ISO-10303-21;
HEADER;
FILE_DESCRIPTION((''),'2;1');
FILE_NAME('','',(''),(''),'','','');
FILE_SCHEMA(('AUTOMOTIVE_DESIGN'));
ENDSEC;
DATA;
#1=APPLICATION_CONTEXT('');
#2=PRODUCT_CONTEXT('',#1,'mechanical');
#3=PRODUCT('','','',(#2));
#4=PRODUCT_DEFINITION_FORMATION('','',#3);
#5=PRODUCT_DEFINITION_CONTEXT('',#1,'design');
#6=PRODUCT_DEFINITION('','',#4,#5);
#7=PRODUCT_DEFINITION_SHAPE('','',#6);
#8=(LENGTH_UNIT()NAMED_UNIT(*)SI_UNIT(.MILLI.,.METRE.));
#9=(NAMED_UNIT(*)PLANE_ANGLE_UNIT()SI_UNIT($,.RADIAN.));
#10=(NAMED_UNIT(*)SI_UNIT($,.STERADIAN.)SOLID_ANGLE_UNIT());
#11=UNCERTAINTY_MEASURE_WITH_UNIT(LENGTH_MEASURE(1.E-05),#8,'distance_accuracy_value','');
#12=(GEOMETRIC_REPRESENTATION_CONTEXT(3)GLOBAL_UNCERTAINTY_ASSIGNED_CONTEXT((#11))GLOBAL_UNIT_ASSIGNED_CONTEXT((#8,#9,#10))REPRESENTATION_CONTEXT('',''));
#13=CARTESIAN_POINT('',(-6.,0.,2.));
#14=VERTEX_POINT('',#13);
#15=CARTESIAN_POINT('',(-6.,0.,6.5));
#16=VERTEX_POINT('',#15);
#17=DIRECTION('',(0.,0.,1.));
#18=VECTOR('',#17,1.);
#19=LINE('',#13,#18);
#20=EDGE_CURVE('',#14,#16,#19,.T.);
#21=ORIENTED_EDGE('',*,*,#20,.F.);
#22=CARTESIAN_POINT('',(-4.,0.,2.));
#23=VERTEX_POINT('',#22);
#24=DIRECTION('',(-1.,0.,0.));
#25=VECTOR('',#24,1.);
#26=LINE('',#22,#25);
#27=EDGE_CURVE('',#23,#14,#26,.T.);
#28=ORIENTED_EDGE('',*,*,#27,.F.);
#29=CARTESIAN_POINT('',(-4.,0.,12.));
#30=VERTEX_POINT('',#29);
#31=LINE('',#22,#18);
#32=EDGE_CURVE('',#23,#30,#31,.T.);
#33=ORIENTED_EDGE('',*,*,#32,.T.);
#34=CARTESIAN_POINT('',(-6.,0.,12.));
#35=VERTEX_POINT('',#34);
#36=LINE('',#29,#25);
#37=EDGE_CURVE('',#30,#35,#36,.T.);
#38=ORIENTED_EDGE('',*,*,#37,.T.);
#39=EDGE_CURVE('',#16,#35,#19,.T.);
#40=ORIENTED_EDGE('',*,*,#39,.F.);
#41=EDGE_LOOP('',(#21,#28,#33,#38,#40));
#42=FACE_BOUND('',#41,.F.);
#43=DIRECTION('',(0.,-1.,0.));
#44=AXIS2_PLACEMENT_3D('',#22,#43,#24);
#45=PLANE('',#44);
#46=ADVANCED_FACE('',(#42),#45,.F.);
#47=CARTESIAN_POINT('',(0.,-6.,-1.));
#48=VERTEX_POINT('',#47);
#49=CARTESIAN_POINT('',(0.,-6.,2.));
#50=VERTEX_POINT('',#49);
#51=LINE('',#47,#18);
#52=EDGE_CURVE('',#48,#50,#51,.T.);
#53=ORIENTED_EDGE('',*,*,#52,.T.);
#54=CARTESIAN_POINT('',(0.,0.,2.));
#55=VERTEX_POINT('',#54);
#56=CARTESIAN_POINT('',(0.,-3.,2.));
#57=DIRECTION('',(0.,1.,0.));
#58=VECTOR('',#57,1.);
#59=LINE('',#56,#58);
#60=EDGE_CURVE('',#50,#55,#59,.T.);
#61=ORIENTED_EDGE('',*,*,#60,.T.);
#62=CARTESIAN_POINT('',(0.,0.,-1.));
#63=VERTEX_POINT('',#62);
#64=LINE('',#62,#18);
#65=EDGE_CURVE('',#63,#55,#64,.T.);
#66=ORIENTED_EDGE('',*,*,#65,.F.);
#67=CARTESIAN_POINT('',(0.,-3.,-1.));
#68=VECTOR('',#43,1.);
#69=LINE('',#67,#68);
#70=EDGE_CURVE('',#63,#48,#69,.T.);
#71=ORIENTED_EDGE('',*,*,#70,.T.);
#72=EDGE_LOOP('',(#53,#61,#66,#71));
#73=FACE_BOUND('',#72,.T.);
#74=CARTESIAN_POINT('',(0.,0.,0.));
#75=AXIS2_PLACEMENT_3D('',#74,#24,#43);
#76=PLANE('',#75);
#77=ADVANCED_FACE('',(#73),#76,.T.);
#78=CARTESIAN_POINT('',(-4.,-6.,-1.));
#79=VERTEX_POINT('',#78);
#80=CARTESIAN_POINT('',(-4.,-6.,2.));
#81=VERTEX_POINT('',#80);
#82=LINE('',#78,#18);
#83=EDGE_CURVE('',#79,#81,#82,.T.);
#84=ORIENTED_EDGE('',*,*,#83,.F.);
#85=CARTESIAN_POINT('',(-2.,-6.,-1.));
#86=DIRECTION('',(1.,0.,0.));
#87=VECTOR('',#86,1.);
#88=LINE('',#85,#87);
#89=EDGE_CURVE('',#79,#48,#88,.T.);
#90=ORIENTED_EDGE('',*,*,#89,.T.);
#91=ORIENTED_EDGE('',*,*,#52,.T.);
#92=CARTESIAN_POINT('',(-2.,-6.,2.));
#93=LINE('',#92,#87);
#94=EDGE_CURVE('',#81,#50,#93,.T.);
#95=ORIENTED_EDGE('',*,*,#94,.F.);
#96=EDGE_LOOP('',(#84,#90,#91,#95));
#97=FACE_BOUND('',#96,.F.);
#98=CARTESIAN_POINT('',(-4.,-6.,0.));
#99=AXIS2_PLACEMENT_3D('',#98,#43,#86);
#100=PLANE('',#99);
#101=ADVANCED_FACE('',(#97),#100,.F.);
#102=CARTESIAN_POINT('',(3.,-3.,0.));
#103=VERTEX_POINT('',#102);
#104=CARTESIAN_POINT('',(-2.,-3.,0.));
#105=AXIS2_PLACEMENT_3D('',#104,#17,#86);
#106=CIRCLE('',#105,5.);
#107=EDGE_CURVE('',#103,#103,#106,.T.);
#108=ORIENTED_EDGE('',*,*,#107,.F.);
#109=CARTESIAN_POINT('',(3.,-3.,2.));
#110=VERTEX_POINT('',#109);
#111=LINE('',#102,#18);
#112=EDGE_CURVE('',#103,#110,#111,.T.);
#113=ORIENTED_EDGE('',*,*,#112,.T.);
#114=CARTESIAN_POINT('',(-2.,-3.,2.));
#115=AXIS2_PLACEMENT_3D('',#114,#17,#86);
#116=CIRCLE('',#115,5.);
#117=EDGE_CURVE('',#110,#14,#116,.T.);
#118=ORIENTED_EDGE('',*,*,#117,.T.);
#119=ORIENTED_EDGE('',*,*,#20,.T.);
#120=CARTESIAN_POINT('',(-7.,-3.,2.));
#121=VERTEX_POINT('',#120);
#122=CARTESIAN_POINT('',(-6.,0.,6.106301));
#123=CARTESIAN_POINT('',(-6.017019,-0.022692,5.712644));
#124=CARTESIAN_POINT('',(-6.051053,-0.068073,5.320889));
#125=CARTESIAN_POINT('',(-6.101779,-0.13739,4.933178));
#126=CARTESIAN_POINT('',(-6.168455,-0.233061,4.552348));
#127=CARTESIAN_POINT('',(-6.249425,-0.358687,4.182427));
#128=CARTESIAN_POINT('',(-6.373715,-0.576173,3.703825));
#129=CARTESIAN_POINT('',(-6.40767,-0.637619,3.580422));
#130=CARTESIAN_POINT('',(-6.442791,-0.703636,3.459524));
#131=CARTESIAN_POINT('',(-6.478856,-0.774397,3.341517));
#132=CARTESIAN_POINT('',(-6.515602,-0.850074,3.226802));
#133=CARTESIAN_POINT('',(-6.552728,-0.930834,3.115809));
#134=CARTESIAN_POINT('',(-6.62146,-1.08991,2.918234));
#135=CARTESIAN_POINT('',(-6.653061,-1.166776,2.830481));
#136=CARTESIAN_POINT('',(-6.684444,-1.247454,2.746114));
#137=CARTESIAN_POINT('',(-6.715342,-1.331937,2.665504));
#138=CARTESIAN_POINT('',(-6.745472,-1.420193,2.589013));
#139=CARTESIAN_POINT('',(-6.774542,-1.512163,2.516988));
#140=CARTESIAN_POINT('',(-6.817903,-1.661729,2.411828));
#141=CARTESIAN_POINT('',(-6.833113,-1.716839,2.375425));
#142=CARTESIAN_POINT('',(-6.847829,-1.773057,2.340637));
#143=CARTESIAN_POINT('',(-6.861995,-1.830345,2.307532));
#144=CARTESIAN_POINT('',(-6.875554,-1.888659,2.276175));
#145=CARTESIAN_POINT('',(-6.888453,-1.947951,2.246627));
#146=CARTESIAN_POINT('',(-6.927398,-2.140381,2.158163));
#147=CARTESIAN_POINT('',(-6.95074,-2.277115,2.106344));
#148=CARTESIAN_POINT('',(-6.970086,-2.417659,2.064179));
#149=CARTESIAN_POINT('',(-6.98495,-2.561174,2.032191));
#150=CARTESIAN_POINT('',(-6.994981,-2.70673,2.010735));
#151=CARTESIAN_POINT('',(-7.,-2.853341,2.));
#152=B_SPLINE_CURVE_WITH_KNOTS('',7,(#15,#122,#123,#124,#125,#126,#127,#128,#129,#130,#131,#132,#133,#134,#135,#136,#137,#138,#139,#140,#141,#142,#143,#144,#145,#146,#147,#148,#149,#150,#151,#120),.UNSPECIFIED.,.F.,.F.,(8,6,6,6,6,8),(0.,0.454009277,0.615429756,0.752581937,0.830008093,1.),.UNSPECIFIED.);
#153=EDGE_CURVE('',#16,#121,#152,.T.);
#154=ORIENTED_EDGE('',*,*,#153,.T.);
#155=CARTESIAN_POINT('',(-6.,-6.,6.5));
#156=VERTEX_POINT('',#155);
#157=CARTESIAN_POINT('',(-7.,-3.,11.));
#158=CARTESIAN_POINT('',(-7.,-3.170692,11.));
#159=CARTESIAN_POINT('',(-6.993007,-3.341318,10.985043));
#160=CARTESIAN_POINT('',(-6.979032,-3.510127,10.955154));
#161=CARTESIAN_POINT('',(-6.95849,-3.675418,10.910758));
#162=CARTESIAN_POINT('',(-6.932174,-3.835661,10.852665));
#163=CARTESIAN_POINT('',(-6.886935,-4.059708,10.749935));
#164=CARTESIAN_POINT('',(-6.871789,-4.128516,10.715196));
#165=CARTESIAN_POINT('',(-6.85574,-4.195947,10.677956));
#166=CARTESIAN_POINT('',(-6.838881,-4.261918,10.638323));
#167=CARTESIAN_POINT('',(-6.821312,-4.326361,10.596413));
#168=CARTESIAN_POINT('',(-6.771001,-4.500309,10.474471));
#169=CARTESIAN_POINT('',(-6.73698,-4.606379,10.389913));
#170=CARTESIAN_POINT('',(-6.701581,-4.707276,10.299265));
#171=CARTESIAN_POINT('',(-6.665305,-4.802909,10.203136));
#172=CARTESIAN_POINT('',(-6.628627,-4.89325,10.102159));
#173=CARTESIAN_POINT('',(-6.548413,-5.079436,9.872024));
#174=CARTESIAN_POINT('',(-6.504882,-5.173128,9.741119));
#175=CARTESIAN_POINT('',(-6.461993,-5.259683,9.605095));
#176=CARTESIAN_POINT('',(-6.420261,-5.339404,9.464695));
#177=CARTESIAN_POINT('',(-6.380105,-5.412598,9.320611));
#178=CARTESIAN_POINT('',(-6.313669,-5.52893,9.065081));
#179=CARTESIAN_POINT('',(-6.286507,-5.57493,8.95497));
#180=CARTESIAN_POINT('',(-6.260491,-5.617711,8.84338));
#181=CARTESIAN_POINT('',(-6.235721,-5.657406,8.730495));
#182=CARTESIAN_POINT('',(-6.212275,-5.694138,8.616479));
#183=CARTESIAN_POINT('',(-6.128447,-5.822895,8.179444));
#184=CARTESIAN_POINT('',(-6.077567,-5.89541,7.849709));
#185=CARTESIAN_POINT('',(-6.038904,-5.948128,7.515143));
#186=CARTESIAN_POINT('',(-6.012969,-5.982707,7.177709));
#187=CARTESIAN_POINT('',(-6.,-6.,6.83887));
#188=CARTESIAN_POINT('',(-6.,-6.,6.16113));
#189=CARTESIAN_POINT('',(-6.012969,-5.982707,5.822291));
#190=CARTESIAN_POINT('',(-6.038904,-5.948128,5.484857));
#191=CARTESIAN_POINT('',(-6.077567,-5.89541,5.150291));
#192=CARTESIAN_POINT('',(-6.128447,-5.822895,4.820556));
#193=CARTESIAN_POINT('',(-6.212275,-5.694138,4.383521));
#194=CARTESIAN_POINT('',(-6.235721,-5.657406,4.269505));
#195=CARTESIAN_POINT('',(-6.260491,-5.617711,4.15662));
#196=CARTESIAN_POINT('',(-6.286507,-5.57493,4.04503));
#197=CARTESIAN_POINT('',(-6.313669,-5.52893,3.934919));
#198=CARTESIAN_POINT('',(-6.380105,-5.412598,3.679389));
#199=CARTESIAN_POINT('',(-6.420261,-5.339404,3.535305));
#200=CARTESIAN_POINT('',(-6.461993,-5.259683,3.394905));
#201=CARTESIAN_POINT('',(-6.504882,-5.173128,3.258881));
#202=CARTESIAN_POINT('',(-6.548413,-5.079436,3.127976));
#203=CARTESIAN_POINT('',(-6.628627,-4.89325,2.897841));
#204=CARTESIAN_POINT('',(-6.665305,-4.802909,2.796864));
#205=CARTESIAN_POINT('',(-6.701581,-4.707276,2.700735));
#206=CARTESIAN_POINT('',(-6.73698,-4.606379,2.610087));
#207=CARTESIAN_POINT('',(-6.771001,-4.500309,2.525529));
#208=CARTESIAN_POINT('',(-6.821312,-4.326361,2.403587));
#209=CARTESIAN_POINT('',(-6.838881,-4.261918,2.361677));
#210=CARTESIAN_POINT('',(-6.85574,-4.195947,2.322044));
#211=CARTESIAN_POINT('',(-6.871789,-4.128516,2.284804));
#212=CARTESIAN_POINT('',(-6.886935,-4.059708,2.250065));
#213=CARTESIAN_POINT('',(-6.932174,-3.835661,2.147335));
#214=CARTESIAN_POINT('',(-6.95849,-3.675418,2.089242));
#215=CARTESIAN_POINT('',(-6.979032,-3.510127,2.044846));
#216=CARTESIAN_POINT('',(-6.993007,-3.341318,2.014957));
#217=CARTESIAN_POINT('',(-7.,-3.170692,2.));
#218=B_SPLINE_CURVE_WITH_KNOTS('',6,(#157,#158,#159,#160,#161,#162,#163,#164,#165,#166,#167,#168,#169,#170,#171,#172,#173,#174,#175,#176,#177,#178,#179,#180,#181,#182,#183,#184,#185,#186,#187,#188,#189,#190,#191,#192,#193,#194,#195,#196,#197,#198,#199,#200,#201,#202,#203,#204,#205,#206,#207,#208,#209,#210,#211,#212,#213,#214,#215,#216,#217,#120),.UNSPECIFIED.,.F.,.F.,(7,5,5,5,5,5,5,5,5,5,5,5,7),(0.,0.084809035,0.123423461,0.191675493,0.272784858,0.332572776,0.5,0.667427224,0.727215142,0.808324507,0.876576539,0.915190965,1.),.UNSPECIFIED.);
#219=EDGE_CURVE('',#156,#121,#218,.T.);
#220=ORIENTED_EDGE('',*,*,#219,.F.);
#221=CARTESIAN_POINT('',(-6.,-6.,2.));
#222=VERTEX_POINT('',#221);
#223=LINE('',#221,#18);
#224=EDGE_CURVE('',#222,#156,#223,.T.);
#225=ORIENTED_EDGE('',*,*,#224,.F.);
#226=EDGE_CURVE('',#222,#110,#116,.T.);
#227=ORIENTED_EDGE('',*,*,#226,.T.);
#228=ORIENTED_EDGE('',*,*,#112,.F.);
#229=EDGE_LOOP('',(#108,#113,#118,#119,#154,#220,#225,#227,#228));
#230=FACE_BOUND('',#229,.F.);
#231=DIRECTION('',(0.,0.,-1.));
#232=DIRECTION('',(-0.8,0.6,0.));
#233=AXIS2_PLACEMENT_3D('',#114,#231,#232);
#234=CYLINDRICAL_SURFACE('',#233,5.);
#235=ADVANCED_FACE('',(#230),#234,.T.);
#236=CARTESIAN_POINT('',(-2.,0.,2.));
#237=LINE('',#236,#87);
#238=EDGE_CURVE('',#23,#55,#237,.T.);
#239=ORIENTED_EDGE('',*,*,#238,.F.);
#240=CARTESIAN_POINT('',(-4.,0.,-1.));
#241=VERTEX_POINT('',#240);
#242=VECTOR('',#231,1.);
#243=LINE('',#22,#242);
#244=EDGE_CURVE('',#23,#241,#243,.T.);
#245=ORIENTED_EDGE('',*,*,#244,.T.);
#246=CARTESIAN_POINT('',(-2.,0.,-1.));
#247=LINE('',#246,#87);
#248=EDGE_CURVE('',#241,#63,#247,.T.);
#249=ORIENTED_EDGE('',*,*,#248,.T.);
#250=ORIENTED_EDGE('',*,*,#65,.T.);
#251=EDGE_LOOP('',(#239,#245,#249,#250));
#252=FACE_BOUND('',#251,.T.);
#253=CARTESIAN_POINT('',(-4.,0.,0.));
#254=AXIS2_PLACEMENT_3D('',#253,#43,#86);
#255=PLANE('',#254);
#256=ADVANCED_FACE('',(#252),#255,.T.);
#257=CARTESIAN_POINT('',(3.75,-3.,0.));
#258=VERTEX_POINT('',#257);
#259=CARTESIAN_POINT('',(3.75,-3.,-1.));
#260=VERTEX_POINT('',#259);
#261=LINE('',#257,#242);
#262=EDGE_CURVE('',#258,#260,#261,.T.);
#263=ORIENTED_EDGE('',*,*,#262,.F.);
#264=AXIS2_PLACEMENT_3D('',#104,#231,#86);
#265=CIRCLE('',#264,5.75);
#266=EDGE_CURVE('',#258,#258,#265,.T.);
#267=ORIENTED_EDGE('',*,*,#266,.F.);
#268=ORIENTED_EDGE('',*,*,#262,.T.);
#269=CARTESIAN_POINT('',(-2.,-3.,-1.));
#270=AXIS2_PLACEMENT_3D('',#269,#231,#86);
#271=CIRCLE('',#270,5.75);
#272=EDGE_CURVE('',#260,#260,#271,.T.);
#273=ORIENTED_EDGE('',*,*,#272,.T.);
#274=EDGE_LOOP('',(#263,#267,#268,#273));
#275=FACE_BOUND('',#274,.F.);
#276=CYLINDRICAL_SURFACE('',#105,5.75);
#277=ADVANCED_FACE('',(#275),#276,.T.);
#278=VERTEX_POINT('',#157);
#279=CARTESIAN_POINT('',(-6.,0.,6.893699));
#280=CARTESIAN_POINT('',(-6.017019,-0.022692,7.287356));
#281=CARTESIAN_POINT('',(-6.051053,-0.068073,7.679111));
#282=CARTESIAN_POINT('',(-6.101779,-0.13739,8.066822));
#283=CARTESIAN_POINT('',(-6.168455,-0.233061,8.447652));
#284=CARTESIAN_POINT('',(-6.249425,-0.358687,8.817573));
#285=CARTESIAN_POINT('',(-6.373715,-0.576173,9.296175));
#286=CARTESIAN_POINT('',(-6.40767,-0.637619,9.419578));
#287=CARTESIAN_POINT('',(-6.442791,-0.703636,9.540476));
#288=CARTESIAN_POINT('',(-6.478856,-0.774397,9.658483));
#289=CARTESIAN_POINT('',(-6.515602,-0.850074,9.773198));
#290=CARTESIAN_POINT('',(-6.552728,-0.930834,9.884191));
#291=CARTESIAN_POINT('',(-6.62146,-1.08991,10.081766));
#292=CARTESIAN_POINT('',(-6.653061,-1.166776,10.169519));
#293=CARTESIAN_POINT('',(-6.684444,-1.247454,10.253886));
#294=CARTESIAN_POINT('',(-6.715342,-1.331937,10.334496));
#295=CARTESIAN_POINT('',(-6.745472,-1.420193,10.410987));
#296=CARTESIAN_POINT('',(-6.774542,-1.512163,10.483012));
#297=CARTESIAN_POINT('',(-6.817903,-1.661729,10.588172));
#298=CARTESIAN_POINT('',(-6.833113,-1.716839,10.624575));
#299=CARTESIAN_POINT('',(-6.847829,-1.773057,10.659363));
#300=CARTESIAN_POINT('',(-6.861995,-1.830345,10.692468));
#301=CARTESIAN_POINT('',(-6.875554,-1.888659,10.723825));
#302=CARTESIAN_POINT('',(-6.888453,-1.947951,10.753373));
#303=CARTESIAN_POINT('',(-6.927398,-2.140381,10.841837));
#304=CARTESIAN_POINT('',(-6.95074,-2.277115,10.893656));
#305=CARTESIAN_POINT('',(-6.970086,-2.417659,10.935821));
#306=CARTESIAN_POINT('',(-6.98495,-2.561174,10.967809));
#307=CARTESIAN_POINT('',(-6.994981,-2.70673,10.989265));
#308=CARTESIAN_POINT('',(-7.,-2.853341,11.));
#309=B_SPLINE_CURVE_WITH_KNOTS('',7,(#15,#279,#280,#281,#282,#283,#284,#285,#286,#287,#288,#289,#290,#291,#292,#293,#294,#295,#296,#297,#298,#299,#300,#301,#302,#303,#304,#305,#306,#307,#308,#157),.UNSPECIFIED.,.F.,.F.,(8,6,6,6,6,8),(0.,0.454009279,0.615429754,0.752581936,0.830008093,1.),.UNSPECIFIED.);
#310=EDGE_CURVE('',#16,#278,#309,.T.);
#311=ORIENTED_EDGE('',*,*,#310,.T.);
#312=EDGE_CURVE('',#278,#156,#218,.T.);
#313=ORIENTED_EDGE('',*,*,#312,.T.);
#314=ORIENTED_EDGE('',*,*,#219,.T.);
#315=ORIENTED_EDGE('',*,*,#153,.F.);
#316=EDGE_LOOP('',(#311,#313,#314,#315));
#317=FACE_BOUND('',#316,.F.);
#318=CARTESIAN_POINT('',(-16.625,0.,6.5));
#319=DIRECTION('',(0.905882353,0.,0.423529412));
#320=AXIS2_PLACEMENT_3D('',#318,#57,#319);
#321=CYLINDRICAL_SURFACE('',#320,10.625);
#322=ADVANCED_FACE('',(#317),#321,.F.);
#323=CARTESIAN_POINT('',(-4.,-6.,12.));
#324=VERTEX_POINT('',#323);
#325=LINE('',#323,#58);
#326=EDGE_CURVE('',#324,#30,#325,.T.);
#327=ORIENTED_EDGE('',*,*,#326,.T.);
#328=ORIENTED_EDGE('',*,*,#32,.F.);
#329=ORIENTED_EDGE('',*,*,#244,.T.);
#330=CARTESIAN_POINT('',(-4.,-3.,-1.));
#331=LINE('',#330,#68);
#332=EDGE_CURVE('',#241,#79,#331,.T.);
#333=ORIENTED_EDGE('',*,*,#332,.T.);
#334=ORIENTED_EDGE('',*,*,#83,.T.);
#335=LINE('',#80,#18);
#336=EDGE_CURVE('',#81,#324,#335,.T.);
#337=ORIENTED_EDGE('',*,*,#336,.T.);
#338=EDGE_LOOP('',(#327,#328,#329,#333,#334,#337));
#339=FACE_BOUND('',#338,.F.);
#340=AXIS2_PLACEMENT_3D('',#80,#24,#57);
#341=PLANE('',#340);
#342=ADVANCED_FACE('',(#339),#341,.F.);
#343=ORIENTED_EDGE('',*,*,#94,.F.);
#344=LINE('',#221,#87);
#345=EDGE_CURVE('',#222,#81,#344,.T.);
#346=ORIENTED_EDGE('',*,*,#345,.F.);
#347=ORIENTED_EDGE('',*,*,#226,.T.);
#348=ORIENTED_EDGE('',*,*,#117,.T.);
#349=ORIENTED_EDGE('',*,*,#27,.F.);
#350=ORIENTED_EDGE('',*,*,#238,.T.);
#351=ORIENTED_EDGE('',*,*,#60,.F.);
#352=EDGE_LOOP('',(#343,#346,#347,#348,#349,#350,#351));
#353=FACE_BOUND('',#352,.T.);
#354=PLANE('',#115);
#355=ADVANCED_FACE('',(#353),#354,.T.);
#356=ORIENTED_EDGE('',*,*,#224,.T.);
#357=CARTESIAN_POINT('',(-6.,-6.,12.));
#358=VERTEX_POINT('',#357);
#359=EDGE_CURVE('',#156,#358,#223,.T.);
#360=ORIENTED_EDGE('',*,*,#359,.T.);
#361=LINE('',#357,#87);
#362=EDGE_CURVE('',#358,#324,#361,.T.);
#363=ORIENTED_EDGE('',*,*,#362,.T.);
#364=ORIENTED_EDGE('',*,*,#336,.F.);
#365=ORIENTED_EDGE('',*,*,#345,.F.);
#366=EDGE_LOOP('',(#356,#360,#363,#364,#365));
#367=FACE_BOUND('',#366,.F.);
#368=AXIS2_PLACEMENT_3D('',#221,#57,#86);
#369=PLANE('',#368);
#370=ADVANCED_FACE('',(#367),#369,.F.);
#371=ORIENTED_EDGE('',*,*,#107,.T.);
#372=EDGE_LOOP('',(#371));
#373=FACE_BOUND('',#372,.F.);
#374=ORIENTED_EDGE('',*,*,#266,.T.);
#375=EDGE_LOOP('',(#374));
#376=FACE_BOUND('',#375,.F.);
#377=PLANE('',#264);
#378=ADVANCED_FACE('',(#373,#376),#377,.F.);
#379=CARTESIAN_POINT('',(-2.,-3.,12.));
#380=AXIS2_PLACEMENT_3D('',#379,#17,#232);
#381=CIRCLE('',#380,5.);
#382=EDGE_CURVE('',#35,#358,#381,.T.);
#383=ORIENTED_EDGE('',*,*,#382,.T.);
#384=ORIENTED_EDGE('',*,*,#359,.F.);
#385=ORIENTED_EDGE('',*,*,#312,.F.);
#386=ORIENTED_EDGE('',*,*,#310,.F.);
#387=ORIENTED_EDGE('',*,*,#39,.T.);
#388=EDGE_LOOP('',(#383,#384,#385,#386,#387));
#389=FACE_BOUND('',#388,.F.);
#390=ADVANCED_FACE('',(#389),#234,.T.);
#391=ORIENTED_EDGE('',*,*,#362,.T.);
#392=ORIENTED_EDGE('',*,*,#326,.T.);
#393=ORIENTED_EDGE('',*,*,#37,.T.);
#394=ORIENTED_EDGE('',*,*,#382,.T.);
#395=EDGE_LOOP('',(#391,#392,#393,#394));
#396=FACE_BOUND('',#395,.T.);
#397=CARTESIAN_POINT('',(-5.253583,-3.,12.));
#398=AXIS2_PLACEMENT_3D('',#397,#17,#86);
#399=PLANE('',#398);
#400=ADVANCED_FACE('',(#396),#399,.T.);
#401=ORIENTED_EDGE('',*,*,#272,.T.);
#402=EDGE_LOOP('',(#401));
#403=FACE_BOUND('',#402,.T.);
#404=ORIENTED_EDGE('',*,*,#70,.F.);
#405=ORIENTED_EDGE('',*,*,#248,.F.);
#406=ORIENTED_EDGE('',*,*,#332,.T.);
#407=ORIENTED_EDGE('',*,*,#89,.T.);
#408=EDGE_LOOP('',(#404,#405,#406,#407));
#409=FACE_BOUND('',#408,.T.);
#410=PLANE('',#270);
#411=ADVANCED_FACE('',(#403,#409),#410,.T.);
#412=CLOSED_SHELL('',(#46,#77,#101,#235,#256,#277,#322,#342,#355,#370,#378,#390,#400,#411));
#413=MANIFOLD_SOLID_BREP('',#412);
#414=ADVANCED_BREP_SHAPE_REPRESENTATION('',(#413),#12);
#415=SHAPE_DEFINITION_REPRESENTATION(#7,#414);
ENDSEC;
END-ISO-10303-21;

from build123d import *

# Parameters (mm, degrees)
F0_R     = 5
F0_W     = 4
F0_H     = 6
F1_DEPTH = 2
F2_R     = 5.75
F2_W     = 4
F2_H     = 6
F3_DEPTH = 1
F5_DEPTH = 10
F7_DEPTH = 8.751


with BuildPart() as f1:
    # F0 (on Top) → F1 (new body)
    with BuildSketch(Plane.XY):
        with Locations((-2, -3)):
            Circle(F0_R)
        with Locations((-2, -3)):
            Rectangle(F0_W, F0_H, mode=Mode.SUBTRACT)
    extrude(amount=F1_DEPTH)

    # F2 (on face) → F3 (join)
    with BuildSketch(Plane(origin=(0, 0, 0), x_dir=(1, 0, 0), z_dir=(0, 0, -1))):
        with Locations((-2, 3)):
            Circle(F2_R)
        with Locations((-2, 3)):
            Rectangle(F2_W, F2_H, mode=Mode.SUBTRACT)
    extrude(amount=F3_DEPTH)

    # F4 (on face) → F5 (join)
    with BuildSketch(Plane.XY.offset(2)):
        with BuildLine():
            Line((-4, -6), (-4, 0))
            Line((-4, 0), (-6, 0))
            ThreePointArc((-6, 0), (-7, -3), (-6, -6))
            Line((-6, -6), (-4, -6))
        make_face()
    extrude(amount=F5_DEPTH)

    # F6 (on face) → F7 (cut, through all)
    with BuildSketch(Plane(origin=(0, 0, 0), x_dir=(-1, 0, 0), z_dir=(0, 1, 0))):
        with BuildLine():
            Line((7, 2), (7, 11))
            ThreePointArc((7, 11), (6, 6.5), (7, 2))
        make_face()
    extrude(amount=-F7_DEPTH, mode=Mode.SUBTRACT)


solid = f1.part
